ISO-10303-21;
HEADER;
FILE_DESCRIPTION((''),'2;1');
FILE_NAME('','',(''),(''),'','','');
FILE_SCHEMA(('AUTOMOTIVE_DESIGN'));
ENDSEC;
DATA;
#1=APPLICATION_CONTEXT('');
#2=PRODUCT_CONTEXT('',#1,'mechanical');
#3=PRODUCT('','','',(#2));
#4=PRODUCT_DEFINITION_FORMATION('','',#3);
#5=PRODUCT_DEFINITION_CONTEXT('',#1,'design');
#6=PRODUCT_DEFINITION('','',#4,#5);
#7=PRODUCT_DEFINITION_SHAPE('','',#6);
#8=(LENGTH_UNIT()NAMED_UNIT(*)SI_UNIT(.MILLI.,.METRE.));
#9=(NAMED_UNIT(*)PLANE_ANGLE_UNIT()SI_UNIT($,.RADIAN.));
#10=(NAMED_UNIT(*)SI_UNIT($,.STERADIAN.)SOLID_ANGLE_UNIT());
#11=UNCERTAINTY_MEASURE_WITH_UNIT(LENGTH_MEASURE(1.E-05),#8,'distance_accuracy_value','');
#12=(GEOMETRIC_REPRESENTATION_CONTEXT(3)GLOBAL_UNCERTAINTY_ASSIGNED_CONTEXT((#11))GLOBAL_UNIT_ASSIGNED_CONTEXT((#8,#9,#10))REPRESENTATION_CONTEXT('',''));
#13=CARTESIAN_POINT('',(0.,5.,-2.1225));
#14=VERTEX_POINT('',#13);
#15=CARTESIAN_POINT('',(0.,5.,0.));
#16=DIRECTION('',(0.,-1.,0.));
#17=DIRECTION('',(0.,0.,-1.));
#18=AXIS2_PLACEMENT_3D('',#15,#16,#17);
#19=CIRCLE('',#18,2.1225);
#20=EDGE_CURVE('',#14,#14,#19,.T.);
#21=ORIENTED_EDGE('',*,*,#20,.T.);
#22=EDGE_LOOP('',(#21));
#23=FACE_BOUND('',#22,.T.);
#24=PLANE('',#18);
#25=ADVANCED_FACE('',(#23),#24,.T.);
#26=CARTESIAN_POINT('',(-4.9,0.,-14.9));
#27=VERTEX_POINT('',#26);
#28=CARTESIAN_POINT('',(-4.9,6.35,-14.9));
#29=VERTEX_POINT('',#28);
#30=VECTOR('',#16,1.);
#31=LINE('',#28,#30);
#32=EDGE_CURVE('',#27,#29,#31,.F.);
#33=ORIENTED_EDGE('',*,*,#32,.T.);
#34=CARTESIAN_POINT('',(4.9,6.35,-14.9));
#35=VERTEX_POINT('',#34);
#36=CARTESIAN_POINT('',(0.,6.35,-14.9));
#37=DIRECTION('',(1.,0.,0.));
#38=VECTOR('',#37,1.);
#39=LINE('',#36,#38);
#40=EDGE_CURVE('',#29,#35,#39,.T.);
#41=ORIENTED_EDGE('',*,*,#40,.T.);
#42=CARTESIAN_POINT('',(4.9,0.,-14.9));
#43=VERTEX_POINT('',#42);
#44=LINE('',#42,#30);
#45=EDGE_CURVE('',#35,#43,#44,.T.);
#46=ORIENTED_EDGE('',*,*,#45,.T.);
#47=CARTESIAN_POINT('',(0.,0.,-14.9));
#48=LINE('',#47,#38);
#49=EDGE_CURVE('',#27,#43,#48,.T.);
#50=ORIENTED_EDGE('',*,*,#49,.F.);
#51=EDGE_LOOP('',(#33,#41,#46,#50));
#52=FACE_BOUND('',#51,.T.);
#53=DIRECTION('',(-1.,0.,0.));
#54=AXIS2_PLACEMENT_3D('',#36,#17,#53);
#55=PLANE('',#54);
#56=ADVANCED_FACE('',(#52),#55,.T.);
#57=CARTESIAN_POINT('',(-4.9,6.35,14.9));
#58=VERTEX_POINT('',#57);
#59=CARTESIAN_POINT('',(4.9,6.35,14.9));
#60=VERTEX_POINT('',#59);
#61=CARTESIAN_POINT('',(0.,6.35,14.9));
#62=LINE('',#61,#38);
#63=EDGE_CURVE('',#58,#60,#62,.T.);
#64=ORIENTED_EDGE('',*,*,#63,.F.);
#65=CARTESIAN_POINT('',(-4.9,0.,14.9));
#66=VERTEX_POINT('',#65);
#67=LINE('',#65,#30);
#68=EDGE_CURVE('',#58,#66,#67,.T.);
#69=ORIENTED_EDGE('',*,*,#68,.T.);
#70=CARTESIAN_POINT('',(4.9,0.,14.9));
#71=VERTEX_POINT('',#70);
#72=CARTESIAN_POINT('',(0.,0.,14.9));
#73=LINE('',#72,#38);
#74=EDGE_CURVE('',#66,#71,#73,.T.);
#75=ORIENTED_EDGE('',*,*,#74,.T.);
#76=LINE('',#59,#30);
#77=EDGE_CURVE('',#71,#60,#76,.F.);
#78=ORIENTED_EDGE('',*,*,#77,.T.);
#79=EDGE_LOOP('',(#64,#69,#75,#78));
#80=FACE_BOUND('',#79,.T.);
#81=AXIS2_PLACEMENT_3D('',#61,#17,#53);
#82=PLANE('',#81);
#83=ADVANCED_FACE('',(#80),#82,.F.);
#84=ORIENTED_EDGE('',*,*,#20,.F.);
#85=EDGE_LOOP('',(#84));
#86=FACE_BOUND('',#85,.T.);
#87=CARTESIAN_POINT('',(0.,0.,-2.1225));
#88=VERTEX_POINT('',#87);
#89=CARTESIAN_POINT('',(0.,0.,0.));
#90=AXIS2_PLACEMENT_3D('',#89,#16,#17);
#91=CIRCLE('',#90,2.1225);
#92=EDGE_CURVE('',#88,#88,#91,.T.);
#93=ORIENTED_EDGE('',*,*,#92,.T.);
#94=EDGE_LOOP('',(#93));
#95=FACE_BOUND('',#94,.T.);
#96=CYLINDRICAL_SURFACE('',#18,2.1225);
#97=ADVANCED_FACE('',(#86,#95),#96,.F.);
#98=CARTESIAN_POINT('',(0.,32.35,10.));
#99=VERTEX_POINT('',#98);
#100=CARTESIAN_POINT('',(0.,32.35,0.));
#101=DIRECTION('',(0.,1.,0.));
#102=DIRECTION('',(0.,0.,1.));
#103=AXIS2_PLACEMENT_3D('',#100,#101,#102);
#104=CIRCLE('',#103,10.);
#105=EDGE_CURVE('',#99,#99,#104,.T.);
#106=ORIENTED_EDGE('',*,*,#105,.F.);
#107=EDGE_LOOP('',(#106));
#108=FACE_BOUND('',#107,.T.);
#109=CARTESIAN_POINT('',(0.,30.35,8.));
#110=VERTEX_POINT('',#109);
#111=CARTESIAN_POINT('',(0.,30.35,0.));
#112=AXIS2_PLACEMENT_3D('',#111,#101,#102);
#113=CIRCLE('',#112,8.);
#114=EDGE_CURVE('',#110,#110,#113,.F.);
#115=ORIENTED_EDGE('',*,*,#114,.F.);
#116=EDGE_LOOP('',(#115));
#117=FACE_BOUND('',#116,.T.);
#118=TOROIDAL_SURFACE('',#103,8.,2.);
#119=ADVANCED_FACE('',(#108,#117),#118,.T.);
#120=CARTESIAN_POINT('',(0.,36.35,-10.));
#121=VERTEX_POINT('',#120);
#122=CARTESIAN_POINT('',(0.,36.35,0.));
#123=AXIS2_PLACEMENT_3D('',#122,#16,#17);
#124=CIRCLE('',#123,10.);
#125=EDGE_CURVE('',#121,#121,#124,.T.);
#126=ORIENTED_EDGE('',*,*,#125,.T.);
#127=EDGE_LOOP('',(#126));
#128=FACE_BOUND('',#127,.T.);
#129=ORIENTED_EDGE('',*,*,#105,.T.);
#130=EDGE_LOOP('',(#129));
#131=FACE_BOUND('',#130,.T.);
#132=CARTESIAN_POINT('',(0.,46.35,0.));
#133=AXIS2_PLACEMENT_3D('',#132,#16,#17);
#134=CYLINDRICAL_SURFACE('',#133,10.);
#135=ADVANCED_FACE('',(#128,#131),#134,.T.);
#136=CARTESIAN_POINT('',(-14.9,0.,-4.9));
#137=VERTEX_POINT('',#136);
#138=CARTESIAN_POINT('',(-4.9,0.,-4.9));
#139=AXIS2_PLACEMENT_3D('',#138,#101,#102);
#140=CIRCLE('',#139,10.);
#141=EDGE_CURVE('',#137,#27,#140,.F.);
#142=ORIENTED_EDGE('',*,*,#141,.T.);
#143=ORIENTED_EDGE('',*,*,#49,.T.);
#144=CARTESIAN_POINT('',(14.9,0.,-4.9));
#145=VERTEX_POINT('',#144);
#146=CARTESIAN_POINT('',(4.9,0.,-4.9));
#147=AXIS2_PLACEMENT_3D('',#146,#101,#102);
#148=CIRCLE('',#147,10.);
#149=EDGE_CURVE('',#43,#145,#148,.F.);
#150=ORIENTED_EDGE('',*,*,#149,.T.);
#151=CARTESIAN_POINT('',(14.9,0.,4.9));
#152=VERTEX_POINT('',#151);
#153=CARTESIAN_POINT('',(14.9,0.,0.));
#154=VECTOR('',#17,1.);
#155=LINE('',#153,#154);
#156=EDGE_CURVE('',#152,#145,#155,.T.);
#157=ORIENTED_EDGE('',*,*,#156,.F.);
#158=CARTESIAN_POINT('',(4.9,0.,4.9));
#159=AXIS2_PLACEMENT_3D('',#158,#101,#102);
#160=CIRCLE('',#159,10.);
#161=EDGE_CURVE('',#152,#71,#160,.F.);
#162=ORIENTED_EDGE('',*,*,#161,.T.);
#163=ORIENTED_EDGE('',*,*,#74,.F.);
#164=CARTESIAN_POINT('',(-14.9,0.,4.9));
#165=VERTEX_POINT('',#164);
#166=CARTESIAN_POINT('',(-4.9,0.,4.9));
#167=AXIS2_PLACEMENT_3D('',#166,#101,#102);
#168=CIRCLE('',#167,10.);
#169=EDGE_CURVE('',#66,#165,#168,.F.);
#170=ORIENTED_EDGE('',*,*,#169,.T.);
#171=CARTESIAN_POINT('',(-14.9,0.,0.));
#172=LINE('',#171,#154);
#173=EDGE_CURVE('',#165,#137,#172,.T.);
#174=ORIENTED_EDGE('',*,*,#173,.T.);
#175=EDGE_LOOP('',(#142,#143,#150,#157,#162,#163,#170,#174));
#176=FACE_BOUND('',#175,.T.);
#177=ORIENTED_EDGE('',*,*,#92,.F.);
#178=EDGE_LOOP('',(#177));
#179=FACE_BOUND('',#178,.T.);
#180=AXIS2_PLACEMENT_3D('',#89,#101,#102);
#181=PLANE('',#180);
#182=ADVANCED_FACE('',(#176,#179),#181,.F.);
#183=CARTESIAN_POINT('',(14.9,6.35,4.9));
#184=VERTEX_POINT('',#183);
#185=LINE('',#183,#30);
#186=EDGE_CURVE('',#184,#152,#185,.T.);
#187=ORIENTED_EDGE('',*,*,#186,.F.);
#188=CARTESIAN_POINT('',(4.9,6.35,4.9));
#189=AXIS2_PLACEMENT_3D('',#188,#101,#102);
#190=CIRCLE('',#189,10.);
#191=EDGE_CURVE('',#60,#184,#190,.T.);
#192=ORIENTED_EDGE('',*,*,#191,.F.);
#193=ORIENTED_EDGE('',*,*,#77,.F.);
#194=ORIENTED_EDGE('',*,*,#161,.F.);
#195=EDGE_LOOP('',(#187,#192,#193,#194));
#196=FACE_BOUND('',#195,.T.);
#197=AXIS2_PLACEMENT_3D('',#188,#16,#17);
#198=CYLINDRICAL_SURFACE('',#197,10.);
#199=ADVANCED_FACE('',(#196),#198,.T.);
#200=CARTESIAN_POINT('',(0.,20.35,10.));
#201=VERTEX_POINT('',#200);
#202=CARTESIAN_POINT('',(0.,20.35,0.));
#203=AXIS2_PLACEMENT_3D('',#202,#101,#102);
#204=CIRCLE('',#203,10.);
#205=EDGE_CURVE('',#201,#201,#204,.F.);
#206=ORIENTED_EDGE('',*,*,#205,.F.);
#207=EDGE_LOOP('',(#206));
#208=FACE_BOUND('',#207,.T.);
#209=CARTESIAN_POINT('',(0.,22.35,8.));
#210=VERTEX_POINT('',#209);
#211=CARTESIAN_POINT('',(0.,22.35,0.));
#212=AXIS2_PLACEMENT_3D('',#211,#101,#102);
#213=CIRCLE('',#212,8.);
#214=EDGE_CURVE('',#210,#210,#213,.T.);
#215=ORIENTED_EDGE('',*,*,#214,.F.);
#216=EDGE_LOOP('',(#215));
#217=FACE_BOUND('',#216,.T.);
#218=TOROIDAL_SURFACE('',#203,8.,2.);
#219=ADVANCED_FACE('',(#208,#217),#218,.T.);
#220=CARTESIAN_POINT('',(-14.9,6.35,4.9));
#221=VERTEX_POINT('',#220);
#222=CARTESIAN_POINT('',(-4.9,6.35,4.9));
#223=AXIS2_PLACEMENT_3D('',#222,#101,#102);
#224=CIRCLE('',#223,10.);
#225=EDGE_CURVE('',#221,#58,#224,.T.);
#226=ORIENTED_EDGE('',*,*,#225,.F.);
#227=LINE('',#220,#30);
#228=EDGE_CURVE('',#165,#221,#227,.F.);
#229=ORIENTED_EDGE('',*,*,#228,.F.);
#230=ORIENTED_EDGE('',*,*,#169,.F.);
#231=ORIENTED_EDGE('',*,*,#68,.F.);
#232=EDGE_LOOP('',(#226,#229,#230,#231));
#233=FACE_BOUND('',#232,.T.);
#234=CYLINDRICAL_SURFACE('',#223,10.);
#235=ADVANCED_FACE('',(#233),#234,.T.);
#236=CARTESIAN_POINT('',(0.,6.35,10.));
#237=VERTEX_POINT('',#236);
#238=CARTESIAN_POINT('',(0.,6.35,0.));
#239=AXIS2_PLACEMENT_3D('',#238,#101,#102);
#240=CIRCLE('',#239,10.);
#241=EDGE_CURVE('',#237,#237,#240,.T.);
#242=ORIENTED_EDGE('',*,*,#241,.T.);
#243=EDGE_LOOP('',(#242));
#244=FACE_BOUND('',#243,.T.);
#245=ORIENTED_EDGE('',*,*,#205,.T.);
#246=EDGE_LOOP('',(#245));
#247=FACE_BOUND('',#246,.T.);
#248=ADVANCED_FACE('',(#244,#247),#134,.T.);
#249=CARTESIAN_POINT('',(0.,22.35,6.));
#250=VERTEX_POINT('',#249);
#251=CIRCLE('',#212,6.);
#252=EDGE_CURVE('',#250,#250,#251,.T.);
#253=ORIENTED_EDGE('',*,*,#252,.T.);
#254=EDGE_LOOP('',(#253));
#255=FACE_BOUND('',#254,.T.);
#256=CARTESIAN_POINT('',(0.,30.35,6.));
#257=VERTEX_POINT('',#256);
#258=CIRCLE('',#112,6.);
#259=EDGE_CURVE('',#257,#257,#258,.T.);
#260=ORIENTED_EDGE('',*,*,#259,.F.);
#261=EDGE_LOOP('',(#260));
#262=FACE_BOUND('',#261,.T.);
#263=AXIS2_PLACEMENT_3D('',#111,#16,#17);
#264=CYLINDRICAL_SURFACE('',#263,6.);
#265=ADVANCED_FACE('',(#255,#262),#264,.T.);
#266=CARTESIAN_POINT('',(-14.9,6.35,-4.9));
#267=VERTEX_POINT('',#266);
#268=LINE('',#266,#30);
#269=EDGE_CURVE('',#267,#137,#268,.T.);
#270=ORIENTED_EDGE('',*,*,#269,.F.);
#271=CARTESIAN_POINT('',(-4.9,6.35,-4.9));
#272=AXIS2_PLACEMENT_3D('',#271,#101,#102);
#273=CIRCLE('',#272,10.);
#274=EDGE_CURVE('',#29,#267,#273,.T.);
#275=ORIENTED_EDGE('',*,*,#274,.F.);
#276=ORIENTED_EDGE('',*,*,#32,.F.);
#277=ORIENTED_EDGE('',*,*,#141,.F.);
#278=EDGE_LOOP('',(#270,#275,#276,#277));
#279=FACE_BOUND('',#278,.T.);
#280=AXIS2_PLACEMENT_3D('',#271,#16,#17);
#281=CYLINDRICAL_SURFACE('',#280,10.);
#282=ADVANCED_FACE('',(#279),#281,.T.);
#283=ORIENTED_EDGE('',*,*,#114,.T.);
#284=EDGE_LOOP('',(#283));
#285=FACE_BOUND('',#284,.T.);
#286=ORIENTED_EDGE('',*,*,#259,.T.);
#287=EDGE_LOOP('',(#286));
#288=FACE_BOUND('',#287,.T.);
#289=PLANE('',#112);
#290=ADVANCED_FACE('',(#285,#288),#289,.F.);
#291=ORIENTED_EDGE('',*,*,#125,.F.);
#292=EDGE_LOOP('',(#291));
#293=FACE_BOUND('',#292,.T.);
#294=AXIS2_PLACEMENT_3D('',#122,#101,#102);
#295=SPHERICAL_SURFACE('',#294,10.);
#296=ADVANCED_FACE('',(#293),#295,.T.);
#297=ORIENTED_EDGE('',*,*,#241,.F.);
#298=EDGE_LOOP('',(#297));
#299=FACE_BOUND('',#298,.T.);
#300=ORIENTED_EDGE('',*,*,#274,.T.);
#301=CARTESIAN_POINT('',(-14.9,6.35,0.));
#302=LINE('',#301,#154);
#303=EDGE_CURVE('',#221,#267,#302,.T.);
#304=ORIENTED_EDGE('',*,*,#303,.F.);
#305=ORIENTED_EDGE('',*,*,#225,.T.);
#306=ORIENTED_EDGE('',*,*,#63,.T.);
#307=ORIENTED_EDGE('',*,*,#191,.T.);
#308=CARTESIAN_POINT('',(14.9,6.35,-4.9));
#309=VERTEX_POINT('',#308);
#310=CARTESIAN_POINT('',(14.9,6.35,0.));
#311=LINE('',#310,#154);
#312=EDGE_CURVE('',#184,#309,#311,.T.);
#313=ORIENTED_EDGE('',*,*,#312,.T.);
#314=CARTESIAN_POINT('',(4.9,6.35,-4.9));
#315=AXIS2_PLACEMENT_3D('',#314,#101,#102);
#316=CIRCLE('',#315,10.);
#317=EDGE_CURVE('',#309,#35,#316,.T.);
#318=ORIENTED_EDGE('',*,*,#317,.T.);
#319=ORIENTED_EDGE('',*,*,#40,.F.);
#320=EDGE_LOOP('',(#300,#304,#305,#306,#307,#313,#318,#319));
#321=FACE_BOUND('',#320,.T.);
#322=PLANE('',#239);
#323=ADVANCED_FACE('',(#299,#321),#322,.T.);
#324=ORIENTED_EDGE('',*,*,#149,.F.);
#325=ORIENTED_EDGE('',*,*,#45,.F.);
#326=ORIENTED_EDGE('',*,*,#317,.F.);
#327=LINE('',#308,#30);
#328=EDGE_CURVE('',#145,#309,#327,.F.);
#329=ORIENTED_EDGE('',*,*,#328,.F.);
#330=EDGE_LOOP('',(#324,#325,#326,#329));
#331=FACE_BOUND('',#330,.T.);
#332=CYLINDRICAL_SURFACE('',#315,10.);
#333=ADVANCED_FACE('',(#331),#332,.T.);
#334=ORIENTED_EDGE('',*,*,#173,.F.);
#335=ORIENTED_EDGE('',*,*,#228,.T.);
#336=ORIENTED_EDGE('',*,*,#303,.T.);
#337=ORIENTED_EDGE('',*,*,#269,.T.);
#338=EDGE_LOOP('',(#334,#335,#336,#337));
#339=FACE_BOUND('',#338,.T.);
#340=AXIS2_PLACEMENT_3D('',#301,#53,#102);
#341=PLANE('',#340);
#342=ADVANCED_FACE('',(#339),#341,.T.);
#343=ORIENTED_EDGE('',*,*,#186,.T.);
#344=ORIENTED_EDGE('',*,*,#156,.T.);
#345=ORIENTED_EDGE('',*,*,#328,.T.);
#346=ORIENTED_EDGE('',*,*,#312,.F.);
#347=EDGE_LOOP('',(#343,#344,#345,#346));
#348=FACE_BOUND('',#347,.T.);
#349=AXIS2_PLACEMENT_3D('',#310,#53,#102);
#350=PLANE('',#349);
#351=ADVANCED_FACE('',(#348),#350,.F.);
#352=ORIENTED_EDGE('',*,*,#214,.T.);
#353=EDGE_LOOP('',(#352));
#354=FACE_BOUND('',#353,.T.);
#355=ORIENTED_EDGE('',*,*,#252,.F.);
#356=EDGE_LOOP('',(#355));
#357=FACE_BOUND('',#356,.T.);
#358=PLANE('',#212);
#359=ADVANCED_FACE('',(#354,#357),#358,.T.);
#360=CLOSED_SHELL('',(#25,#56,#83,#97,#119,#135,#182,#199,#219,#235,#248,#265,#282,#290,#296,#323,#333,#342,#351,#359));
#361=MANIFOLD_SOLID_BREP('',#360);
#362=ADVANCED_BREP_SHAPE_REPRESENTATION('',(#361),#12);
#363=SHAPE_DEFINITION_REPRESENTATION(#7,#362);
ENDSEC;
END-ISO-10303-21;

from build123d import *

# Parameters (mm, degrees)
SKETCH2_W               = 29.8
SKETCH2_H               = 29.8
BOSS_EXTRUDE1_DEPTH     = 6.35
FILLET1_R               = 10
SKETCH9_R               = 10
BOSS_EXTRUDE6_DEPTH     = 40
FILLET5_R               = 10
CUT_EXTRUDE2_DEPTH      = 4
CUT_EXTRUDE2_DEPTH_BACK = 4
SKETCH11_R              = 10
SKETCH11_R_2            = 6
FILLET6_R               = 2
SKETCH12_R              = 2.1225
CUT_EXTRUDE3_DEPTH      = 5


with BuildPart() as part:
    # Sketch2 → Boss-Extrude1 (new body)
    with BuildSketch(Plane(origin=(0, 0, 0), x_dir=(1, 0, 0), z_dir=(0, 1, 0))):
        Rectangle(SKETCH2_W, SKETCH2_H)
    extrude(amount=BOSS_EXTRUDE1_DEPTH)

    # Fillet1
    fillet1_edges = [part.edges().sort_by_distance(p)[0] for p in [
        (14.9, 3.175, 14.9),
        (-14.9, 3.175, 14.9),
        (-14.9, 3.175, -14.9),
        (14.9, 3.175, -14.9),
    ]]
    fillet(fillet1_edges, radius=FILLET1_R)

    # Sketch9 → Boss-Extrude6 (add)
    with BuildSketch(Plane(origin=(0, 6.35, 0), x_dir=(1, 0, 0), z_dir=(0, 1, 0))):
        Circle(SKETCH9_R)
    extrude(amount=BOSS_EXTRUDE6_DEPTH)

    # Fillet5
    fillet5_edges = [part.edges().sort_by_distance(p)[0] for p in [
        (-10, 46.35, 0),
    ]]
    fillet(fillet5_edges, radius=FILLET5_R)

    # Sketch11 → Cut-Extrude2 (cut, two sides: drawn at the far end of the back side and taken through both)
    with BuildSketch(Plane(origin=(0, 26.35, 0), x_dir=(1, 0, 0), z_dir=(0, 1, 0)).offset(-CUT_EXTRUDE2_DEPTH_BACK)):
        Circle(SKETCH11_R)
        Circle(SKETCH11_R_2, mode=Mode.SUBTRACT)
    extrude(amount=CUT_EXTRUDE2_DEPTH + CUT_EXTRUDE2_DEPTH_BACK, mode=Mode.SUBTRACT)

    # Fillet6
    fillet6_edges = [part.edges().sort_by_distance(p)[0] for p in [
        (-10, 30.35, 0),
        (-10, 22.35, 0),
    ]]
    fillet(fillet6_edges, radius=FILLET6_R)

    # Sketch12 → Cut-Extrude3 (cut)
    with BuildSketch(Plane.XZ):
        Circle(SKETCH12_R)
    extrude(amount=-CUT_EXTRUDE3_DEPTH, mode=Mode.SUBTRACT)


solid = part.part
